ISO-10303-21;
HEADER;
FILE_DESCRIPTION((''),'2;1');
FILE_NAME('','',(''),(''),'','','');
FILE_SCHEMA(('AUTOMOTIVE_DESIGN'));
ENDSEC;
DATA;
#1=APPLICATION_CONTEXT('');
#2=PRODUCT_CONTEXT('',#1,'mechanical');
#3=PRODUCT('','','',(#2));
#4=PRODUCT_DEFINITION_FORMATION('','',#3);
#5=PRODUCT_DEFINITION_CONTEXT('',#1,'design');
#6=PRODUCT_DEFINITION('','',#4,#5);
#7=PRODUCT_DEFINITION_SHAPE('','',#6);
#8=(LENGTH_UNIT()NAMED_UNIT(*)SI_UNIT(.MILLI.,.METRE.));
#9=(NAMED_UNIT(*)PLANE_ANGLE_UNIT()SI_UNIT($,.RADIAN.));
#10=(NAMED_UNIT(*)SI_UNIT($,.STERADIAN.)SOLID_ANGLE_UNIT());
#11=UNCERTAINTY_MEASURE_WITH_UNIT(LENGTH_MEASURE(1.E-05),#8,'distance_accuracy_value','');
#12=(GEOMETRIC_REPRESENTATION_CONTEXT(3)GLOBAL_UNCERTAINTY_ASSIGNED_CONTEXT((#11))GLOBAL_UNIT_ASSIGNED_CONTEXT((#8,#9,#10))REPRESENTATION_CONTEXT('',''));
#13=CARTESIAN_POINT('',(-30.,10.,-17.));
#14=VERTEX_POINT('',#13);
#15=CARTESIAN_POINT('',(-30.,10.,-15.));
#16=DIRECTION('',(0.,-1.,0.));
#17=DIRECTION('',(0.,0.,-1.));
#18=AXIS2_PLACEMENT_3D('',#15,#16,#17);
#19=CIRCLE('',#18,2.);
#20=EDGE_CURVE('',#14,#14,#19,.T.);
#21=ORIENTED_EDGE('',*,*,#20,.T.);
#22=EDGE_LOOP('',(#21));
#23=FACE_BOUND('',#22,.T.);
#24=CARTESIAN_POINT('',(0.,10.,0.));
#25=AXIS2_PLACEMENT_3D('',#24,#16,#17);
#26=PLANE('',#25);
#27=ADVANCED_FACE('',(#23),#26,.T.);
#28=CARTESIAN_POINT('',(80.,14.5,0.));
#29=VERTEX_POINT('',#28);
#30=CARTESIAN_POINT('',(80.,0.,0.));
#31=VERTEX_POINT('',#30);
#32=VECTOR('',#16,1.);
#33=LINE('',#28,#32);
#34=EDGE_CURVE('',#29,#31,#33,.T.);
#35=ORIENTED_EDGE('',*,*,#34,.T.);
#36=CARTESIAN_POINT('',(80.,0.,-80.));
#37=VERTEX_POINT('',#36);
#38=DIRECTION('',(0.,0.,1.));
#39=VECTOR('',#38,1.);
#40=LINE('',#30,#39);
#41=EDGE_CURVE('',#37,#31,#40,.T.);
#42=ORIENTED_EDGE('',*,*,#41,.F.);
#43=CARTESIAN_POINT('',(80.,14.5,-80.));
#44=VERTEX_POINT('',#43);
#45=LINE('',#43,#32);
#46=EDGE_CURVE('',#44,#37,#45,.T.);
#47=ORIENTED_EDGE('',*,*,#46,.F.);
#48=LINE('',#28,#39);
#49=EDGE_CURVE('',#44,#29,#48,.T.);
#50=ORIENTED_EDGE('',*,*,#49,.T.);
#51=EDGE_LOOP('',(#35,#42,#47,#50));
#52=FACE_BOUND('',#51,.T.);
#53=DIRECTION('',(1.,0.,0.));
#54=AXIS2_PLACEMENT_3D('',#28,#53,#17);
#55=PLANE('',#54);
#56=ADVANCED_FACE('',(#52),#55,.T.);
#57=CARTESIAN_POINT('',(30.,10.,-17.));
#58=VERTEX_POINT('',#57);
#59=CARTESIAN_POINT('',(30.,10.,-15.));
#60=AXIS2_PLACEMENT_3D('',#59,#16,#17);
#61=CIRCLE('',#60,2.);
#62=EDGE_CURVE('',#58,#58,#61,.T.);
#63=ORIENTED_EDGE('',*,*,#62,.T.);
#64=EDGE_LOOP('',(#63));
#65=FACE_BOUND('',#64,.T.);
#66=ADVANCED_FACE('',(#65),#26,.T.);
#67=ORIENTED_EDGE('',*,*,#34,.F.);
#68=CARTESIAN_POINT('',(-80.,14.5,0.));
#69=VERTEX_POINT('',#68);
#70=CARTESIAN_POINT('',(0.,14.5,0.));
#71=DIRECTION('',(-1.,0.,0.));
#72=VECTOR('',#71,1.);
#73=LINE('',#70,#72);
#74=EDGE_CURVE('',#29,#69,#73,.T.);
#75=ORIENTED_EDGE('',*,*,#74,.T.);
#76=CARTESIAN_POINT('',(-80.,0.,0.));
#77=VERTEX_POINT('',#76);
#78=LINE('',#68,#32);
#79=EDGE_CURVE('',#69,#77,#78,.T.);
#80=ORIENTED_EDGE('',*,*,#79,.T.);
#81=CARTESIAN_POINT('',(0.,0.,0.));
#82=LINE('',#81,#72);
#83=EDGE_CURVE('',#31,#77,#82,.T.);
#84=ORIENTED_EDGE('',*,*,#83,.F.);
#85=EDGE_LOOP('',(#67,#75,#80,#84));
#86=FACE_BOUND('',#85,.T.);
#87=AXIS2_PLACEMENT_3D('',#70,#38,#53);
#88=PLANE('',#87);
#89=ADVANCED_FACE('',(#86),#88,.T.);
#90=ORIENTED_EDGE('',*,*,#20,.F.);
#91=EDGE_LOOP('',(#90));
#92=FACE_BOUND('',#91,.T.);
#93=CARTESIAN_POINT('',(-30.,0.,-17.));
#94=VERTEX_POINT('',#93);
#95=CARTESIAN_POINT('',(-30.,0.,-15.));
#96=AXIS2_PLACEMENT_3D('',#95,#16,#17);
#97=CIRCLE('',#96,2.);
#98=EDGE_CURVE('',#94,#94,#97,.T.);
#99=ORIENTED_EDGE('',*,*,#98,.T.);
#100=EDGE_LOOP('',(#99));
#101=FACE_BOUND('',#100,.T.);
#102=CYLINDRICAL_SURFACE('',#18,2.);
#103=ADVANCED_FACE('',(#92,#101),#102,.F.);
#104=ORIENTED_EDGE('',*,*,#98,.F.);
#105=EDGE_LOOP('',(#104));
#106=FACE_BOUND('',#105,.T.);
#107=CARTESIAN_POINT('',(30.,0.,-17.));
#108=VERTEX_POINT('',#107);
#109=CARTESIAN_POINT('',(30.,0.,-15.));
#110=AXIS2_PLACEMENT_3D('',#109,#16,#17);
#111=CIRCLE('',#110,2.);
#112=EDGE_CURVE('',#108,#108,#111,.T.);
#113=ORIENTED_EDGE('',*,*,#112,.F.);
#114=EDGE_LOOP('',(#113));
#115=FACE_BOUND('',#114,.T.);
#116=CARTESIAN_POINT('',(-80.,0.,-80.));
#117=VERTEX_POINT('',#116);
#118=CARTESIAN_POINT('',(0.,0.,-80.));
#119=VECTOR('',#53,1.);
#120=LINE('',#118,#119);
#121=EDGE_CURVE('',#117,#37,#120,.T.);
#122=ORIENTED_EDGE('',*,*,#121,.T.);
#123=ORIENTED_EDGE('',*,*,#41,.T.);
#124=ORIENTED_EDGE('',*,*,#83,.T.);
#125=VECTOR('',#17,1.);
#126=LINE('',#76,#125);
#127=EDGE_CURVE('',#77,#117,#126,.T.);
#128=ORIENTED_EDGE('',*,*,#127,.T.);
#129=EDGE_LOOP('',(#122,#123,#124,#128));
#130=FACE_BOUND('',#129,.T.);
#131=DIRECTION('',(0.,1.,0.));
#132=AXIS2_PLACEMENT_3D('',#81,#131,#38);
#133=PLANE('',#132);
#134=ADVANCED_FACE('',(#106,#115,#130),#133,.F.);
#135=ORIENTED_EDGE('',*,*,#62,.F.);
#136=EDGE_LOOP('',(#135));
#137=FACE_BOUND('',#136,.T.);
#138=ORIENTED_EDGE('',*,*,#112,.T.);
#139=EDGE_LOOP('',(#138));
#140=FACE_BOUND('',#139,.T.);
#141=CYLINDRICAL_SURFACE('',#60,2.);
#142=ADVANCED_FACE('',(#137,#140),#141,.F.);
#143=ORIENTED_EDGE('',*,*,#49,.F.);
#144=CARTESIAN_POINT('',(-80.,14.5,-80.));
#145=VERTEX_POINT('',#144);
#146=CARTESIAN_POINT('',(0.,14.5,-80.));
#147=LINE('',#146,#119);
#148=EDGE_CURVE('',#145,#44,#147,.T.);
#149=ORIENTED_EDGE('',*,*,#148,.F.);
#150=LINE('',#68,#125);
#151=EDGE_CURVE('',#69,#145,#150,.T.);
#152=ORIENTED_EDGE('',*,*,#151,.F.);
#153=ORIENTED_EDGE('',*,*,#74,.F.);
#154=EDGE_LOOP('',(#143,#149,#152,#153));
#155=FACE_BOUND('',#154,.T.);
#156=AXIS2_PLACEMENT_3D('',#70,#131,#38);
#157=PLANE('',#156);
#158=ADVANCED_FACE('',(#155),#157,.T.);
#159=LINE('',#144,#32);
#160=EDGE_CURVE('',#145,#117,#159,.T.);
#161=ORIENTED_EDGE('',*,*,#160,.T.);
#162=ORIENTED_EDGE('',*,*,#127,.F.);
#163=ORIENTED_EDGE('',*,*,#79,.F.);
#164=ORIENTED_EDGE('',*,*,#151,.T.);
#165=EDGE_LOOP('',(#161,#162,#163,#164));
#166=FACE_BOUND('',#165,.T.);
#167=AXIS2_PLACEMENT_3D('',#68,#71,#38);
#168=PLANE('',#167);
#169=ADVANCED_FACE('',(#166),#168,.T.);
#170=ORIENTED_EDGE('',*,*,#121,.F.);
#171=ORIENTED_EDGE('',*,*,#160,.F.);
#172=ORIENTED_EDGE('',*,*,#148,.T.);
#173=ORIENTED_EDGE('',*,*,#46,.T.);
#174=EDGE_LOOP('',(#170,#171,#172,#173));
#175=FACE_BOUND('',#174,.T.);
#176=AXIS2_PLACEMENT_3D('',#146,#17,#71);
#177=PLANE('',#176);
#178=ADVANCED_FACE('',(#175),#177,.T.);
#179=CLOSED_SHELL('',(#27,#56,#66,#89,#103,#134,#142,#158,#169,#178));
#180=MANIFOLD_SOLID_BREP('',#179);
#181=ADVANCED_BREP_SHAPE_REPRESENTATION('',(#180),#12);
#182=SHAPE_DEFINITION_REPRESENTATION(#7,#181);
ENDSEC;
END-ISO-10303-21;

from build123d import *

# Parameters (mm, degrees)
SKETCH_1_W          = 160
SKETCH_1_H          = 80
EXTRUDE_1_DEPTH     = 14.5
SKETCH_3_R          = 2
CUT_EXTRUDE_1_DEPTH = 10


with BuildPart() as part:
    # 草图1 → 凸台-拉伸1 (new body)
    with BuildSketch(Plane(origin=(0, 0, 0), x_dir=(1, 0, 0), z_dir=(0, 1, 0))):
        with Locations((0, 40)):
            Rectangle(SKETCH_1_W, SKETCH_1_H)
    extrude(amount=EXTRUDE_1_DEPTH)

    # 草图3 → 切除-拉伸1 (cut)
    with BuildSketch(Plane.XZ):
        with Locations(Location((-30, -15, 0), (0, 0, 270))):
            Circle(SKETCH_3_R)
        with Locations(Location((30, -15, 0), (0, 0, 270))):
            Circle(SKETCH_3_R)
    extrude(amount=-CUT_EXTRUDE_1_DEPTH, mode=Mode.SUBTRACT)


solid = part.part
